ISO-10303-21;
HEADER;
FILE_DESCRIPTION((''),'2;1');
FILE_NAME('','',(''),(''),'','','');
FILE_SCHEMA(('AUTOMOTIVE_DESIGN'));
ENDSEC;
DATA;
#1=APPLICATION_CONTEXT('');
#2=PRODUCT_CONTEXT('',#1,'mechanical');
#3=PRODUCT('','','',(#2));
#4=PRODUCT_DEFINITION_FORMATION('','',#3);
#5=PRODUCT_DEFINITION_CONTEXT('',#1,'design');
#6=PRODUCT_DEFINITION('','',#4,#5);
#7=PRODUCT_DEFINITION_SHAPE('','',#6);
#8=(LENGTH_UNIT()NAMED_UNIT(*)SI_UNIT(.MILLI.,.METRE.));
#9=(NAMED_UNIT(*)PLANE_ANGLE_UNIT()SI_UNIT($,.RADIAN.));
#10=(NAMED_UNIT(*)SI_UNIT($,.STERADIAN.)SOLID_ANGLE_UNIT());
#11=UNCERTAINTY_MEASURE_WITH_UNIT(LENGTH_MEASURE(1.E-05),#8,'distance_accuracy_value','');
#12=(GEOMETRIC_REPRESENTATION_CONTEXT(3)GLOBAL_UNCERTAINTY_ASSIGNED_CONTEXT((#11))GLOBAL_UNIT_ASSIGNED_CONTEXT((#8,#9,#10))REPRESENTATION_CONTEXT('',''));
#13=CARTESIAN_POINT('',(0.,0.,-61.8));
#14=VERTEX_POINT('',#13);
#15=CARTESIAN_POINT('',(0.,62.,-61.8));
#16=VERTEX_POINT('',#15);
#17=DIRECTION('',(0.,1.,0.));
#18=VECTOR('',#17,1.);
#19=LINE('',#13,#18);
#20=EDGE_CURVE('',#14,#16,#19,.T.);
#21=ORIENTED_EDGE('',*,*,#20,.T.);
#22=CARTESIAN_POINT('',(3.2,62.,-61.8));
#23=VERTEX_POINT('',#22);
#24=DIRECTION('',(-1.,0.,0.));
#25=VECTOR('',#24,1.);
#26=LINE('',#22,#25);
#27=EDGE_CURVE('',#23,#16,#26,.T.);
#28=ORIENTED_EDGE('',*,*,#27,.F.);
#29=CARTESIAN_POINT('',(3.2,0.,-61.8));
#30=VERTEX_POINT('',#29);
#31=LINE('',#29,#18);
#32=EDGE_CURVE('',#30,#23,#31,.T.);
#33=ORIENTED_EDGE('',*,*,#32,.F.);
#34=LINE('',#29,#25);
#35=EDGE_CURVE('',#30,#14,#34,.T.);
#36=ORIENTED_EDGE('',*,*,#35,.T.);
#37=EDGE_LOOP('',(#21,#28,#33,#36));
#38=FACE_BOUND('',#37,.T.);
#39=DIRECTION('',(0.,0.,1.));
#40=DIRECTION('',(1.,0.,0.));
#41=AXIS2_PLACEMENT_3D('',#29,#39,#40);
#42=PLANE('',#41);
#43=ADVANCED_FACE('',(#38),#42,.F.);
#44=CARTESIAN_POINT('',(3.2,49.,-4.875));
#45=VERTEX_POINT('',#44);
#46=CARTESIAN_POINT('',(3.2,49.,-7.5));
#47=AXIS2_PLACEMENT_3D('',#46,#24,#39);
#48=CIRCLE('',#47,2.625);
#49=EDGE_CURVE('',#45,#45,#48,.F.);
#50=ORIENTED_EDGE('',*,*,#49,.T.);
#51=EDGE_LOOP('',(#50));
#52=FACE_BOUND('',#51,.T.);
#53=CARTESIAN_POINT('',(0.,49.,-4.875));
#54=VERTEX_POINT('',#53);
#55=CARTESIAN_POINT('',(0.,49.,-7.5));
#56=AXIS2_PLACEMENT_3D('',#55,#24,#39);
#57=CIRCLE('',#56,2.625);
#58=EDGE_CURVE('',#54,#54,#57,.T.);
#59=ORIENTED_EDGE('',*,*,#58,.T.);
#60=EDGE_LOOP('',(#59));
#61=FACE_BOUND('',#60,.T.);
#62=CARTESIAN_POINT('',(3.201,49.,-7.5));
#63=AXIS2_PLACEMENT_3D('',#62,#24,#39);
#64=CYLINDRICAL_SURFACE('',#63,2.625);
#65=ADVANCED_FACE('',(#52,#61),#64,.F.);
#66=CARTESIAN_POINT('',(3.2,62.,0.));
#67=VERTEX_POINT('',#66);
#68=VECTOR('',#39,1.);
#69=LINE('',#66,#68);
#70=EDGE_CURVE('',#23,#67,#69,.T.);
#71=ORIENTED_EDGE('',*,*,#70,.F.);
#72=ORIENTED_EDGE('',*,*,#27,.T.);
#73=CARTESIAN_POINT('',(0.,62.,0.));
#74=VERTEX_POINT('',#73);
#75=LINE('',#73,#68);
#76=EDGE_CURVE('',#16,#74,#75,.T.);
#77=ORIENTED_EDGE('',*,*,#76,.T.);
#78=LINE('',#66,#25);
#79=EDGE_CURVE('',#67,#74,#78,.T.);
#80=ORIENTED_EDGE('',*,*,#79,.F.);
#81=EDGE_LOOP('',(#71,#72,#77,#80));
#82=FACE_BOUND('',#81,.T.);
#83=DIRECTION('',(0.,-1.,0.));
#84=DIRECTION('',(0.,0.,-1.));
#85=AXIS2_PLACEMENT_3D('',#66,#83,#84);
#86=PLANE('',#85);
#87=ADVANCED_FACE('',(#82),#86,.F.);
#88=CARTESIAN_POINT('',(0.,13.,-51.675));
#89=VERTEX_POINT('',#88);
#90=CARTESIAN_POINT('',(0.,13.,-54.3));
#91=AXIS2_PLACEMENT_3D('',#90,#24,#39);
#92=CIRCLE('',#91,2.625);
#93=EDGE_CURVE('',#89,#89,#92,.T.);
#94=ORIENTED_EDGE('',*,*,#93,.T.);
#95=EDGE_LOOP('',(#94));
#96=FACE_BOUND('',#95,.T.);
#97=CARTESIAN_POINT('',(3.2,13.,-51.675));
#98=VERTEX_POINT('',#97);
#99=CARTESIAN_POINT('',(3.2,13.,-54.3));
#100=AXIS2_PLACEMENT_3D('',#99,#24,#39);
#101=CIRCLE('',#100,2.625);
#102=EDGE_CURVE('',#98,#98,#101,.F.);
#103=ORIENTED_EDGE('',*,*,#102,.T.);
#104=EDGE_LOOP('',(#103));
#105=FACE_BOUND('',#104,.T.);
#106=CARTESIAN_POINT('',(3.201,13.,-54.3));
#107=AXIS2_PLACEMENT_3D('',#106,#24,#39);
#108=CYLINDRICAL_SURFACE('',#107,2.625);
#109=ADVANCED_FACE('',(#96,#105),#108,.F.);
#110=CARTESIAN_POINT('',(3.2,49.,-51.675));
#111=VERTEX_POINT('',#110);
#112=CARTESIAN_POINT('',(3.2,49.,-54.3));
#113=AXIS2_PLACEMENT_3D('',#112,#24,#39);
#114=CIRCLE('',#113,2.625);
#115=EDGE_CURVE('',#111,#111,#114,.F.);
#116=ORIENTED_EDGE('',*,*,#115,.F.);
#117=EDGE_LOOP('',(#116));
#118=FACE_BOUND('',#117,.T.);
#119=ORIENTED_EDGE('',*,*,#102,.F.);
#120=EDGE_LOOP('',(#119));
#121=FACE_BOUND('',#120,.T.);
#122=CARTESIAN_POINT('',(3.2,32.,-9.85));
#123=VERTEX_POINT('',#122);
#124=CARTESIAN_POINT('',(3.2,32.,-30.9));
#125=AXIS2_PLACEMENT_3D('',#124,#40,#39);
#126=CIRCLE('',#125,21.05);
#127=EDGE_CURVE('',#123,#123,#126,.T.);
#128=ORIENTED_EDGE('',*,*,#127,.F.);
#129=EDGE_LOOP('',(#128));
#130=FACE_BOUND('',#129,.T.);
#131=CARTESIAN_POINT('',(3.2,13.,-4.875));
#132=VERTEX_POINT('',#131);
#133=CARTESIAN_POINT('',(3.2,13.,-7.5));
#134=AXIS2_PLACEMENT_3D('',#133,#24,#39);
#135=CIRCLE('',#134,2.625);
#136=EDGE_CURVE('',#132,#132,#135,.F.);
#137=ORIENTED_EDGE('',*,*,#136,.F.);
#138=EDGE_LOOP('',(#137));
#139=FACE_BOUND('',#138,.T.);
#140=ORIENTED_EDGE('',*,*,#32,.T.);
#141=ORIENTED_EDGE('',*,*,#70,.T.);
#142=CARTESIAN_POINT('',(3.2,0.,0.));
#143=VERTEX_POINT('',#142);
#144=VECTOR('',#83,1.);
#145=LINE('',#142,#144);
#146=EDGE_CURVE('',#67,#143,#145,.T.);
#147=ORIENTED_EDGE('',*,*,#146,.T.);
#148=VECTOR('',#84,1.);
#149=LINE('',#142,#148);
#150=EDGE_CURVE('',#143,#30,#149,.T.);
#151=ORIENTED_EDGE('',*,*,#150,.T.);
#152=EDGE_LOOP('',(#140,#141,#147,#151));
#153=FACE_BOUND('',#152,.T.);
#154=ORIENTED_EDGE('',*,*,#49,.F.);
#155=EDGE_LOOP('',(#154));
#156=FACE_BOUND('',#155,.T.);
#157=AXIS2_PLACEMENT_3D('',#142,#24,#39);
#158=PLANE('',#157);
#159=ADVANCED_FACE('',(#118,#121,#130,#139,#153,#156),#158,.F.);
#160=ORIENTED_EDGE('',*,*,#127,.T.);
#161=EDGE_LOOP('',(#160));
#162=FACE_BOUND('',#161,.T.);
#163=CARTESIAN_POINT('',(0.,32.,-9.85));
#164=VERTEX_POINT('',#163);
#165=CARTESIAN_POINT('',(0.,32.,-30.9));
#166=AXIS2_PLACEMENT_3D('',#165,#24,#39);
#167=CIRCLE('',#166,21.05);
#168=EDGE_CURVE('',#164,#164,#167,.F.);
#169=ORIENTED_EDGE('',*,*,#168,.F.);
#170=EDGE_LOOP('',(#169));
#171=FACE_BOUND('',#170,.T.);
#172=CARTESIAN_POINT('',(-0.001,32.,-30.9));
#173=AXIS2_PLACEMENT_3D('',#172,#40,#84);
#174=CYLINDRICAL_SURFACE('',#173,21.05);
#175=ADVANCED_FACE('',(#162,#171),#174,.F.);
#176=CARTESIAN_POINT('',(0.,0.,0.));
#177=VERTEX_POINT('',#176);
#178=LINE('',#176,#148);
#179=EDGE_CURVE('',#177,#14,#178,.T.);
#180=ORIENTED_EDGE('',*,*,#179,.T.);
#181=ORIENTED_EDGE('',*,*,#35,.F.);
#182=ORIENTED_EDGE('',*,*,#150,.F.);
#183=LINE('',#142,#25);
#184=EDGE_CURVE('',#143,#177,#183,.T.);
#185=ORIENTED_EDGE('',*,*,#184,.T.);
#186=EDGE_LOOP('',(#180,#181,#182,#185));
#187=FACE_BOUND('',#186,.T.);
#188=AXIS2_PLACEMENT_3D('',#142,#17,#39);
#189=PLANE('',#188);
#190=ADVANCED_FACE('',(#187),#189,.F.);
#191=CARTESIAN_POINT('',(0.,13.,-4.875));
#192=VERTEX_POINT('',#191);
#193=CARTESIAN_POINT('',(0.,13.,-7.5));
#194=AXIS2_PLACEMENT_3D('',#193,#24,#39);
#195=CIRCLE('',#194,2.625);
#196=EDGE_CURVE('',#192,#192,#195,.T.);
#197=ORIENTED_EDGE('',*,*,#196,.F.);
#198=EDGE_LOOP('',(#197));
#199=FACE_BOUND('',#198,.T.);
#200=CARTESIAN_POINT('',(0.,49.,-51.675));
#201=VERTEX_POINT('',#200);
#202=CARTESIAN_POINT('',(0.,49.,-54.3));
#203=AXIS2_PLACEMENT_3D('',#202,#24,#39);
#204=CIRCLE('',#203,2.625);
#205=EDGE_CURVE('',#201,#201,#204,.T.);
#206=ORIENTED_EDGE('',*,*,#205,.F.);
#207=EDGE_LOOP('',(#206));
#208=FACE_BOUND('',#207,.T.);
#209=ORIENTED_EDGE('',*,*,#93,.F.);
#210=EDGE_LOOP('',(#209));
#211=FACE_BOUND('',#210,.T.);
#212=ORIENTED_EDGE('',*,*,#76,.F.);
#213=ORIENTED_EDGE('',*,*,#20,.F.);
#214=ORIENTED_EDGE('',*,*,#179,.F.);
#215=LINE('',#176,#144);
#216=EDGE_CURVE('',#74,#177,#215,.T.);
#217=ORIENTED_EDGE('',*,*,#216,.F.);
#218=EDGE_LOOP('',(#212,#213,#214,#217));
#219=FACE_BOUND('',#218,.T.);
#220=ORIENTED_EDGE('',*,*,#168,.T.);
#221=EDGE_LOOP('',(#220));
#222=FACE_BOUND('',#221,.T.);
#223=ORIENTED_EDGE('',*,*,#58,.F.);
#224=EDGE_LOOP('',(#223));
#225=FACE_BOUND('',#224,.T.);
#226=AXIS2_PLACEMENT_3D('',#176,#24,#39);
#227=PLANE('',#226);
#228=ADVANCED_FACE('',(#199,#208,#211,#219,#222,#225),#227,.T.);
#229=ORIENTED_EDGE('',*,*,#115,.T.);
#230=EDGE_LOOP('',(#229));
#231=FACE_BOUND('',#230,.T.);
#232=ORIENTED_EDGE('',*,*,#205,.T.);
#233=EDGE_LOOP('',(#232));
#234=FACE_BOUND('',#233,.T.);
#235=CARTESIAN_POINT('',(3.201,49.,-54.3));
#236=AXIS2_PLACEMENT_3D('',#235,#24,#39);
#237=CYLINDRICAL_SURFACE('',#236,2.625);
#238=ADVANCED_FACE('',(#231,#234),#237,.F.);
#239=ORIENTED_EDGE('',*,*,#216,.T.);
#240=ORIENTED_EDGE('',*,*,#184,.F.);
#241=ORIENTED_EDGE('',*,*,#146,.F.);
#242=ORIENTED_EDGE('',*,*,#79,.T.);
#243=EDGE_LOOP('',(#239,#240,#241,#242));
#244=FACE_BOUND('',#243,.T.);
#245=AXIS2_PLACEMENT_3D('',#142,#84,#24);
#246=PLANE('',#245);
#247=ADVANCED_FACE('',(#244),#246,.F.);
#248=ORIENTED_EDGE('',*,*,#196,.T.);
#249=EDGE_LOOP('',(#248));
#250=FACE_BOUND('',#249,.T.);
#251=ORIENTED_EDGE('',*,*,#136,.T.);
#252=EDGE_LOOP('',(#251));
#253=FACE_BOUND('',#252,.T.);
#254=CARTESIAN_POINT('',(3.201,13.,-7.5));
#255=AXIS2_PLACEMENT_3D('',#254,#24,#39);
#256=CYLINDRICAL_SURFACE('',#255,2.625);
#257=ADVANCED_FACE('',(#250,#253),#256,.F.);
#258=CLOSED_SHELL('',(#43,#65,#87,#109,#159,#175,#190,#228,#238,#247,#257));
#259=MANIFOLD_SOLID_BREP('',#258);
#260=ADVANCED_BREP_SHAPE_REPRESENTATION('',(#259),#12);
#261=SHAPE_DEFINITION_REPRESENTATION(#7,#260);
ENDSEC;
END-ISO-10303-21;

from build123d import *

# Parameters (mm, degrees)
SKETCH1_W           = 61.8
SKETCH1_H           = 62
BOSS_EXTRUDE1_DEPTH = 3.2
CUT_EXTRUDE1_REACH  = 5.2
SKETCH2_R           = 21.05
CUT_EXTRUDE2_REACH  = 5.2
SKETCH3_R           = 2.625


with BuildPart() as part:
    # Sketch1 → Boss-Extrude1 (new body)
    with BuildSketch(Plane(origin=(0, 0, 0), x_dir=(0, 0, -1), z_dir=(1, 0, 0))):
        with Locations((30.9, 31)):
            Rectangle(SKETCH1_W, SKETCH1_H)
    extrude(amount=BOSS_EXTRUDE1_DEPTH)

    # Sketch2 → Cut-Extrude1 (cut, up to next)
    with BuildSketch(Plane(origin=(3.2, 0, 0), x_dir=(0, 0, -1), z_dir=(1, 0, 0)), mode=Mode.PRIVATE) as cut_extrude1_sk1:
        with Locations((30.9, 32)):
            Circle(SKETCH2_R)
    cut_extrude1_tool1 = extrude(cut_extrude1_sk1.sketch, amount=-CUT_EXTRUDE1_REACH, mode=Mode.PRIVATE) & part.part
    add(cut_extrude1_tool1.solids().sort_by_distance((3.2, 32, -30.9))[0], mode=Mode.SUBTRACT)

    # Sketch3 → Cut-Extrude2 (cut, up to next)
    with BuildSketch(Plane.ZY, mode=Mode.PRIVATE) as cut_extrude2_sk1:
        with Locations((-54.3, 49)):
            Circle(SKETCH3_R)
    cut_extrude2_tool1 = extrude(cut_extrude2_sk1.sketch, amount=-CUT_EXTRUDE2_REACH, mode=Mode.PRIVATE) & part.part
    add(cut_extrude2_tool1.solids().sort_by_distance((0, 49, -54.3))[0], mode=Mode.SUBTRACT)
    # Sketch3 → Cut-Extrude2 (cut, up to next)
    with BuildSketch(Plane.ZY, mode=Mode.PRIVATE) as cut_extrude2_sk2:
        with Locations((-54.3, 13)):
            Circle(SKETCH3_R)
    cut_extrude2_tool2 = extrude(cut_extrude2_sk2.sketch, amount=-CUT_EXTRUDE2_REACH, mode=Mode.PRIVATE) & part.part
    add(cut_extrude2_tool2.solids().sort_by_distance((0, 13, -54.3))[0], mode=Mode.SUBTRACT)
    # Sketch3 → Cut-Extrude2 (cut, up to next)
    with BuildSketch(Plane.ZY, mode=Mode.PRIVATE) as cut_extrude2_sk3:
        with Locations((-7.5, 49)):
            Circle(SKETCH3_R)
    cut_extrude2_tool3 = extrude(cut_extrude2_sk3.sketch, amount=-CUT_EXTRUDE2_REACH, mode=Mode.PRIVATE) & part.part
    add(cut_extrude2_tool3.solids().sort_by_distance((0, 49, -7.5))[0], mode=Mode.SUBTRACT)
    # Sketch3 → Cut-Extrude2 (cut, up to next)
    with BuildSketch(Plane.ZY, mode=Mode.PRIVATE) as cut_extrude2_sk4:
        with Locations((-7.5, 13)):
            Circle(SKETCH3_R)
    cut_extrude2_tool4 = extrude(cut_extrude2_sk4.sketch, amount=-CUT_EXTRUDE2_REACH, mode=Mode.PRIVATE) & part.part
    add(cut_extrude2_tool4.solids().sort_by_distance((0, 13, -7.5))[0], mode=Mode.SUBTRACT)


solid = part.part
